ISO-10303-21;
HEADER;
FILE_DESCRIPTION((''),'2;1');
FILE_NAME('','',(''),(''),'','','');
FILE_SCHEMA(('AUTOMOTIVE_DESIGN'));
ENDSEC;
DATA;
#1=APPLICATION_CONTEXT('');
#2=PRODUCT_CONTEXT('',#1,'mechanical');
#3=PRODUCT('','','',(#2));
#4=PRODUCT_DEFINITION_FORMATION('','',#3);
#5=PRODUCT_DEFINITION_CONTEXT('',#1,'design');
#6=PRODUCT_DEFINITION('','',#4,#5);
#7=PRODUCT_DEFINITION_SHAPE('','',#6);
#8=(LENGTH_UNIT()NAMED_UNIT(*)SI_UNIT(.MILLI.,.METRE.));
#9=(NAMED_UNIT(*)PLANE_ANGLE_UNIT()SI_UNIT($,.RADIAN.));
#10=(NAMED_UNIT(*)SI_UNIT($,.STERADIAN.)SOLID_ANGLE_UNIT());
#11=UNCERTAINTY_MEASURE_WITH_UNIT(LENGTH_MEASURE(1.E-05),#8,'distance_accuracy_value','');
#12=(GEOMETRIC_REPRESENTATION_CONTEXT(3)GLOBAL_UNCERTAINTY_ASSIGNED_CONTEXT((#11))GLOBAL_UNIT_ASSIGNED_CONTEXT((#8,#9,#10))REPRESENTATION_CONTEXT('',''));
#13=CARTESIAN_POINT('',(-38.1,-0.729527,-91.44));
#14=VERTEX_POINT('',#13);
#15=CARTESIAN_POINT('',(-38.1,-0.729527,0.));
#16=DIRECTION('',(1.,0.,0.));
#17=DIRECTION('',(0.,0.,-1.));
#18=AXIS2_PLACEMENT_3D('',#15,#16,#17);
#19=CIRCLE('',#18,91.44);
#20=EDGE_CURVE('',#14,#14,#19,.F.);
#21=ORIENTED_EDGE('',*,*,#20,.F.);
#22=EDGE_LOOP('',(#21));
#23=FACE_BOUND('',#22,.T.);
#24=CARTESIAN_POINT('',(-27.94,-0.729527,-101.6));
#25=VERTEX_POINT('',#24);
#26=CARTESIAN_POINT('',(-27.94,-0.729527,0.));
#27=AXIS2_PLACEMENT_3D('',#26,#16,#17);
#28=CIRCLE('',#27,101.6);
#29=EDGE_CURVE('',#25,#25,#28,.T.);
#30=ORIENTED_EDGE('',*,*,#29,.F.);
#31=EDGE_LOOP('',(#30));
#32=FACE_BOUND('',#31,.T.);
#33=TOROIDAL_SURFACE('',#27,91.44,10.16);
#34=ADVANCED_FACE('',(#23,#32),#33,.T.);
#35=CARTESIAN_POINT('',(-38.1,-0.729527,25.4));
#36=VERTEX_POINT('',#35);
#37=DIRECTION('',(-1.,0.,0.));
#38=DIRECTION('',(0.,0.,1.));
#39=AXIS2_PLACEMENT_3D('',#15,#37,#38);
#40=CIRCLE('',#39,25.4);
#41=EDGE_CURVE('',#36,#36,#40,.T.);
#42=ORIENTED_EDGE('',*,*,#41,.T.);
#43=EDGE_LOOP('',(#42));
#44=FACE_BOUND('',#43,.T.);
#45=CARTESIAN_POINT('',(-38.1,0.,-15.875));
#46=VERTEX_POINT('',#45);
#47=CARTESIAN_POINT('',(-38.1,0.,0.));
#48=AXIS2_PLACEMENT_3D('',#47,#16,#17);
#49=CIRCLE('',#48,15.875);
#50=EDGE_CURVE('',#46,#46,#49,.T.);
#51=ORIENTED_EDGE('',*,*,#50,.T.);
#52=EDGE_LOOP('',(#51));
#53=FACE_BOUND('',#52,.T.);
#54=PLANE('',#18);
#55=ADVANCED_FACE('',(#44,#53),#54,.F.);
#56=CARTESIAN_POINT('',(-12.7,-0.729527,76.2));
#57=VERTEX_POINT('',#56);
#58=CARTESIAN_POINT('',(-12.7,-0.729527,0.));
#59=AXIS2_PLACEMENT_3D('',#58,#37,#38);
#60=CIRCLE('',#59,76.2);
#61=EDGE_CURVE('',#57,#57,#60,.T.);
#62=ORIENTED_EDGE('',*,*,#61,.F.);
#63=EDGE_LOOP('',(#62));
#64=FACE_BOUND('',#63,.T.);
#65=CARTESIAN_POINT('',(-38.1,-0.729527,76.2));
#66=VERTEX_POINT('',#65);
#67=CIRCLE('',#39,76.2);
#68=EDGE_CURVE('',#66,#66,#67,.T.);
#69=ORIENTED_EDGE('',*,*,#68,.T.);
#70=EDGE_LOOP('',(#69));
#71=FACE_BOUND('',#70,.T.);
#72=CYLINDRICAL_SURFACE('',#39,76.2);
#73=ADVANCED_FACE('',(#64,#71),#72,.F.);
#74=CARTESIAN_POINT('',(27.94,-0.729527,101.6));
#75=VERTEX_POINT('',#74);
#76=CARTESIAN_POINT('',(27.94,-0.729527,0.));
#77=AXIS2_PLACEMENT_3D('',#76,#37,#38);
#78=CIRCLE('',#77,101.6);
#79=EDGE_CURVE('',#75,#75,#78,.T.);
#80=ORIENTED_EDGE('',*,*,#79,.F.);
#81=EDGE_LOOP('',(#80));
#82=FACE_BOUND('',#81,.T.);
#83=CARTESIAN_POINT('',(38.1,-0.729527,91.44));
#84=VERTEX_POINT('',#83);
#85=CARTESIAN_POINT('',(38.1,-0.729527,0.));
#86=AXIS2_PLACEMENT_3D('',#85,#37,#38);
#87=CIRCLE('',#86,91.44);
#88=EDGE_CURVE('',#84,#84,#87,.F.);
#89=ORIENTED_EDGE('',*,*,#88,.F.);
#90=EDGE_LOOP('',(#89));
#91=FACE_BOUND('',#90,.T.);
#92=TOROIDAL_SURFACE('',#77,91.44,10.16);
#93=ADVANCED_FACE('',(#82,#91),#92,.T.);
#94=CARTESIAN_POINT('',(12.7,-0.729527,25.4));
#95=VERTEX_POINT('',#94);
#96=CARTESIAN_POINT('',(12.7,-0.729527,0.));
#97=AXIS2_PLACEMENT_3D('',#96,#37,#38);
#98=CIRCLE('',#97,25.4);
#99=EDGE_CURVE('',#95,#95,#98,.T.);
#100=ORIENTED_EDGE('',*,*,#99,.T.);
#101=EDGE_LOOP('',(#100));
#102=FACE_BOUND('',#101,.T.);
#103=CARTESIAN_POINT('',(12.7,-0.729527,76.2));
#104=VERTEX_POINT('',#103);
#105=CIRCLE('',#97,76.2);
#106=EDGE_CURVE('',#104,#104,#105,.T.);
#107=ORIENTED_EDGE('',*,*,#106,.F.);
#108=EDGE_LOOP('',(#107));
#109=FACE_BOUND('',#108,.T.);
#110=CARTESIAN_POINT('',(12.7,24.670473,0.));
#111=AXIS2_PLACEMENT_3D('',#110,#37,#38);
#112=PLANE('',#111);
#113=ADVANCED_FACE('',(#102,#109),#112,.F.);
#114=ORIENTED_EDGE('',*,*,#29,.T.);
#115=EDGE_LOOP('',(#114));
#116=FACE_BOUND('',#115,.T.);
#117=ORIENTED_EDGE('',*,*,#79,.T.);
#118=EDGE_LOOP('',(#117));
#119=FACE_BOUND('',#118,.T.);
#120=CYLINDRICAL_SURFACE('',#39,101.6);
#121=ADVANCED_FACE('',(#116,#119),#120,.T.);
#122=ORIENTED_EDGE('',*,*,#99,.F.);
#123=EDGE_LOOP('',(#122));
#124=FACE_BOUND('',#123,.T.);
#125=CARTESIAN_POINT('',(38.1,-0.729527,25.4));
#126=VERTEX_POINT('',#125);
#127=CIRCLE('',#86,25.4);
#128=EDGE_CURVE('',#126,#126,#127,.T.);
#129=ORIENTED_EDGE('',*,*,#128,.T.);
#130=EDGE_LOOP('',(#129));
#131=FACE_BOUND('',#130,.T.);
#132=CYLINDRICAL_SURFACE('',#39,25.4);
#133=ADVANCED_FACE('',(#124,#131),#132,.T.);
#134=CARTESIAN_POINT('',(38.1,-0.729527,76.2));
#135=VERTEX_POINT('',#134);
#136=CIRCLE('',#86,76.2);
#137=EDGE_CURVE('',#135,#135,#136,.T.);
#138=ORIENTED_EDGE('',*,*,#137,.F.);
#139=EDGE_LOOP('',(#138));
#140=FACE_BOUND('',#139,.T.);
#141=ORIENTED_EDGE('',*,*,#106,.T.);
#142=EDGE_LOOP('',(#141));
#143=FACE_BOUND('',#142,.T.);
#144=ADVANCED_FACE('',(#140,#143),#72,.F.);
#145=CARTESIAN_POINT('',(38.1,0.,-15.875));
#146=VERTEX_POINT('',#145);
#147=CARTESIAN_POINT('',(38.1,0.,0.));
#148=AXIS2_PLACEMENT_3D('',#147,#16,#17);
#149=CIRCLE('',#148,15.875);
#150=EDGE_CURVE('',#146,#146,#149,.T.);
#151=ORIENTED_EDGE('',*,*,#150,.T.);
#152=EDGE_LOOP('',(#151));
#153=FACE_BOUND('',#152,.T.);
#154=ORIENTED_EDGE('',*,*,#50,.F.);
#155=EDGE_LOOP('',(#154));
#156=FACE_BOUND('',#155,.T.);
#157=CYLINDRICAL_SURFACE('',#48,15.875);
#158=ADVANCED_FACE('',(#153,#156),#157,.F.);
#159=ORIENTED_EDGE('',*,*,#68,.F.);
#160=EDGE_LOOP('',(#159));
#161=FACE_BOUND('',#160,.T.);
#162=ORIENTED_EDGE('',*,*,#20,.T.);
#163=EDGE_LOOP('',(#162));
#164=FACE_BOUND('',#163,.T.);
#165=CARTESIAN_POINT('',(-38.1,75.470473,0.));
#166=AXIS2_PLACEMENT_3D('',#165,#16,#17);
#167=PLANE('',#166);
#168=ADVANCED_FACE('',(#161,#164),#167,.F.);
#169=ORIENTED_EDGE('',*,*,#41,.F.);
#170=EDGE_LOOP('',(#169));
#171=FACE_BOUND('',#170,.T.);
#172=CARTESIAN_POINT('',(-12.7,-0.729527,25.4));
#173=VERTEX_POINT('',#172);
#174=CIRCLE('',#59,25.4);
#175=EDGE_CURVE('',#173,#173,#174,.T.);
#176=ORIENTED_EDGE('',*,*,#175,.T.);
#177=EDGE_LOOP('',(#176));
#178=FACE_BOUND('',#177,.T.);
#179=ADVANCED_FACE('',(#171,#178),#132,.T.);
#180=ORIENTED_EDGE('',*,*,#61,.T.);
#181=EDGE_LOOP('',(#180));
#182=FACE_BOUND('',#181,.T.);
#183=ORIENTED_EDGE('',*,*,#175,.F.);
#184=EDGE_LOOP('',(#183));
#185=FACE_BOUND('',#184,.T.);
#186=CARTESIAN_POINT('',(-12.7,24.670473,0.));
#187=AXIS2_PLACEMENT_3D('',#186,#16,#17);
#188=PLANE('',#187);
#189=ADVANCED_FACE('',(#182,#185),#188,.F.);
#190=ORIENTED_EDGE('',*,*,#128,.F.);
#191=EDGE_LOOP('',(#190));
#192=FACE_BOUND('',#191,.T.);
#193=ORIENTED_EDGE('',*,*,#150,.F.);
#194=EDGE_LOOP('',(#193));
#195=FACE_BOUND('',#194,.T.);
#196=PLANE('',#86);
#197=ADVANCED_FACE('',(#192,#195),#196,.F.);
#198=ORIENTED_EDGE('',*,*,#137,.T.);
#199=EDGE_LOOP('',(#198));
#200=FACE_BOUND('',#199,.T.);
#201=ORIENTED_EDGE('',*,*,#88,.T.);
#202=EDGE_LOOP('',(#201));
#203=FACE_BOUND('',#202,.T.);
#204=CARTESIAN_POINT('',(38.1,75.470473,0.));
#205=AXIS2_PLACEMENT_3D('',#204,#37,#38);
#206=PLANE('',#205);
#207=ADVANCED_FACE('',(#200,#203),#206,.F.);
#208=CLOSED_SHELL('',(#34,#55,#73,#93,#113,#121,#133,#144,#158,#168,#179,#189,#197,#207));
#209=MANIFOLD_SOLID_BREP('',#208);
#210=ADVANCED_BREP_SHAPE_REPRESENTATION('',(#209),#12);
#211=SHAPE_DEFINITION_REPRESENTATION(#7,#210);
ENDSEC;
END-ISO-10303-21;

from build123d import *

# Parameters (mm, degrees)
SKETCH2_R          = 15.875
CUT_EXTRUDE1_DEPTH = 77.2
FILLET2_R          = 10.16
FILLET3_R          = 10.16


with BuildPart() as part:
    # Sketch1 → Revolve2 (revolve)
    with BuildSketch(Plane.XY):
        Polygon((-38.1, -0.729526652), (-38.1, 24.670473348), (-12.7, 24.670473348), (-12.7, 75.470473348), (-38.1, 75.470473348), (-38.1, 100.870473348), (38.1, 100.870473348), (38.1, 75.470473348), (12.7, 75.470473348), (12.7, 24.670473348), (38.1, 24.670473348), (38.1, -0.729526652), align=None)
    revolve(axis=Axis((-38.1, -0.729526652, 0), (1, 0, 0)))

    # Sketch2 → Cut-Extrude1 (cut, through all)
    with BuildSketch(Plane(origin=(38.1, 0, 0), x_dir=(0, 0, -1), z_dir=(1, 0, 0))):
        Circle(SKETCH2_R)
    extrude(amount=-CUT_EXTRUDE1_DEPTH, mode=Mode.SUBTRACT)

    # Fillet2
    fillet2_edges = [part.edges().sort_by_distance(p)[0] for p in [
        (38.1, -102.329526652, 0),
    ]]
    fillet(fillet2_edges, radius=FILLET2_R)

    # Fillet3
    fillet3_edges = [part.edges().sort_by_distance(p)[0] for p in [
        (-38.1, -102.329526652, 0),
    ]]
    fillet(fillet3_edges, radius=FILLET3_R)


solid = part.part
